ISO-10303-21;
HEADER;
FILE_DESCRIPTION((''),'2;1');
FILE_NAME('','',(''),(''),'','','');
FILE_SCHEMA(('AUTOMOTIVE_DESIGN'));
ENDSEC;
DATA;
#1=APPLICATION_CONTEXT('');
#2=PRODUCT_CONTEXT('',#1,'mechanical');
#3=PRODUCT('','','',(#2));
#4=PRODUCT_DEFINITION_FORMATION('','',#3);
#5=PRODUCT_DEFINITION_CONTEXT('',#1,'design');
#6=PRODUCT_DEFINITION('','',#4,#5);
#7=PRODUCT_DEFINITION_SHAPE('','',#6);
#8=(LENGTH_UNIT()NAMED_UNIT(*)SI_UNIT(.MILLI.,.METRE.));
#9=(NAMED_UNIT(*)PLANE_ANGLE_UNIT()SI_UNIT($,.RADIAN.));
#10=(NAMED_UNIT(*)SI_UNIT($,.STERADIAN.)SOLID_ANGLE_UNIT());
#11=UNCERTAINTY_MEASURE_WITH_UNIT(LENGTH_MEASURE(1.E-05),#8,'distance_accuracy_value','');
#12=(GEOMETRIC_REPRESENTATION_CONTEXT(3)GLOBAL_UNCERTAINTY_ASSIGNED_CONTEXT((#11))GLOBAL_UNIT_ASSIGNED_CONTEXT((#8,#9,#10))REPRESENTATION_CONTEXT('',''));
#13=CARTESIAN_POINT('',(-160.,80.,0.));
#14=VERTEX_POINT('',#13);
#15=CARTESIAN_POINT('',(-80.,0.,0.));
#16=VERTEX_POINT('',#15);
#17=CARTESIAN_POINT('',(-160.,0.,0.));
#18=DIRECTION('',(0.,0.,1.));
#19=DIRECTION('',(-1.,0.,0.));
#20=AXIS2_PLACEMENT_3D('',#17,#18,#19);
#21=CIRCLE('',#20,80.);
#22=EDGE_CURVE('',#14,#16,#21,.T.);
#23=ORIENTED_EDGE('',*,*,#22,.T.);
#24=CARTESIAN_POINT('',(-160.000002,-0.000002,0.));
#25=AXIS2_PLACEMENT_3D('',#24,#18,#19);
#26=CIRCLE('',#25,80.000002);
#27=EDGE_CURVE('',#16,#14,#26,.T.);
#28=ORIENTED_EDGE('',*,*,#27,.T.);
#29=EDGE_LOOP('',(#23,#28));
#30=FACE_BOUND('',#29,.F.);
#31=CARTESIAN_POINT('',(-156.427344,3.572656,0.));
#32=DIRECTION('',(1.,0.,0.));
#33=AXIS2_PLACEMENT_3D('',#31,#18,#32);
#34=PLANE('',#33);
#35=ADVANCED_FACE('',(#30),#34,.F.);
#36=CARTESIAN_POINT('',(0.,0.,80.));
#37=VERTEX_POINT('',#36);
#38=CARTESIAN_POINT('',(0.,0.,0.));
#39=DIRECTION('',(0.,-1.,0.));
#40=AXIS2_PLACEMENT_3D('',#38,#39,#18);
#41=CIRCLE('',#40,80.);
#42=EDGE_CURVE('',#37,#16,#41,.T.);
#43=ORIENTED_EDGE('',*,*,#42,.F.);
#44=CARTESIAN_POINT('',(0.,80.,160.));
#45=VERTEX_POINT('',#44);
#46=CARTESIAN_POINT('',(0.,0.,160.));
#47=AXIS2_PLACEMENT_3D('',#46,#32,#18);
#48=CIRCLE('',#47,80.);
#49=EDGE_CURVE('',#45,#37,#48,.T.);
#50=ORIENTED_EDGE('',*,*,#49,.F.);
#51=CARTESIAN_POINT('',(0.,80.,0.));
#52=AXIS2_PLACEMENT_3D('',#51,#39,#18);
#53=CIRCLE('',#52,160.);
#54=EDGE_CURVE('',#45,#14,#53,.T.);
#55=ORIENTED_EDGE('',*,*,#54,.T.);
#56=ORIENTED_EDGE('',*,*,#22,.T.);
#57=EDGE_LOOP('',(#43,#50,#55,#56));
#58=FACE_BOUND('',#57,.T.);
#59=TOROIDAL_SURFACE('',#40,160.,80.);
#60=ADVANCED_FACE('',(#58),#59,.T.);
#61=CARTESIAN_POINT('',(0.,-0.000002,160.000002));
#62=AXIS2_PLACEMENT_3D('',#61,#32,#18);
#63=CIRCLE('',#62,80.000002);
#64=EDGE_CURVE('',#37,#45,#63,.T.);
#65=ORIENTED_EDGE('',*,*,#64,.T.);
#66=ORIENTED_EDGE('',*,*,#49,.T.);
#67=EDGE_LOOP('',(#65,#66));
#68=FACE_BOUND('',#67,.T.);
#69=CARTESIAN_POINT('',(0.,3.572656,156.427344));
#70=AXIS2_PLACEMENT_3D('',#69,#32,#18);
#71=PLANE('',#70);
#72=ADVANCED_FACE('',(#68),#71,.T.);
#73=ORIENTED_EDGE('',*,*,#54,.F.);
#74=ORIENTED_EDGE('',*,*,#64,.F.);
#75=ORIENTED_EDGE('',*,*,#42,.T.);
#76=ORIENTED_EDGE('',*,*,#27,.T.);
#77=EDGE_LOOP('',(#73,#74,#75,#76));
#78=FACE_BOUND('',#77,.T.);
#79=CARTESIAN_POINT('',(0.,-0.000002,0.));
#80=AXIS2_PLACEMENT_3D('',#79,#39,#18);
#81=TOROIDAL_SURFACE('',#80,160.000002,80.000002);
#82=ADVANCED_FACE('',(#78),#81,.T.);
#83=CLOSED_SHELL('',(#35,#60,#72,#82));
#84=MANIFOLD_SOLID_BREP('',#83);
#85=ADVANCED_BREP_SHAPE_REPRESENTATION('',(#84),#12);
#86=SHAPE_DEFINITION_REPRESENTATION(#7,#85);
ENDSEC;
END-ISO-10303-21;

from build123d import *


with BuildPart() as f2:
    # F2: sweep along a path in F0
    with BuildLine(Plane.XZ) as f2_path:
        ThreePointArc((0, 160), (-113.137085, 113.137085), (-160, 0))
    # F1 (on Right) → F2 (sweep)
    with BuildSketch(Plane.YZ):
        with BuildLine():
            ThreePointArc((0, 80), (56.568542, 103.431458), (80, 160))
            ThreePointArc((80, 160), (-56.568542, 216.568542), (0, 80))
        make_face()
    sweep(path=f2_path.line)


solid = f2.part
